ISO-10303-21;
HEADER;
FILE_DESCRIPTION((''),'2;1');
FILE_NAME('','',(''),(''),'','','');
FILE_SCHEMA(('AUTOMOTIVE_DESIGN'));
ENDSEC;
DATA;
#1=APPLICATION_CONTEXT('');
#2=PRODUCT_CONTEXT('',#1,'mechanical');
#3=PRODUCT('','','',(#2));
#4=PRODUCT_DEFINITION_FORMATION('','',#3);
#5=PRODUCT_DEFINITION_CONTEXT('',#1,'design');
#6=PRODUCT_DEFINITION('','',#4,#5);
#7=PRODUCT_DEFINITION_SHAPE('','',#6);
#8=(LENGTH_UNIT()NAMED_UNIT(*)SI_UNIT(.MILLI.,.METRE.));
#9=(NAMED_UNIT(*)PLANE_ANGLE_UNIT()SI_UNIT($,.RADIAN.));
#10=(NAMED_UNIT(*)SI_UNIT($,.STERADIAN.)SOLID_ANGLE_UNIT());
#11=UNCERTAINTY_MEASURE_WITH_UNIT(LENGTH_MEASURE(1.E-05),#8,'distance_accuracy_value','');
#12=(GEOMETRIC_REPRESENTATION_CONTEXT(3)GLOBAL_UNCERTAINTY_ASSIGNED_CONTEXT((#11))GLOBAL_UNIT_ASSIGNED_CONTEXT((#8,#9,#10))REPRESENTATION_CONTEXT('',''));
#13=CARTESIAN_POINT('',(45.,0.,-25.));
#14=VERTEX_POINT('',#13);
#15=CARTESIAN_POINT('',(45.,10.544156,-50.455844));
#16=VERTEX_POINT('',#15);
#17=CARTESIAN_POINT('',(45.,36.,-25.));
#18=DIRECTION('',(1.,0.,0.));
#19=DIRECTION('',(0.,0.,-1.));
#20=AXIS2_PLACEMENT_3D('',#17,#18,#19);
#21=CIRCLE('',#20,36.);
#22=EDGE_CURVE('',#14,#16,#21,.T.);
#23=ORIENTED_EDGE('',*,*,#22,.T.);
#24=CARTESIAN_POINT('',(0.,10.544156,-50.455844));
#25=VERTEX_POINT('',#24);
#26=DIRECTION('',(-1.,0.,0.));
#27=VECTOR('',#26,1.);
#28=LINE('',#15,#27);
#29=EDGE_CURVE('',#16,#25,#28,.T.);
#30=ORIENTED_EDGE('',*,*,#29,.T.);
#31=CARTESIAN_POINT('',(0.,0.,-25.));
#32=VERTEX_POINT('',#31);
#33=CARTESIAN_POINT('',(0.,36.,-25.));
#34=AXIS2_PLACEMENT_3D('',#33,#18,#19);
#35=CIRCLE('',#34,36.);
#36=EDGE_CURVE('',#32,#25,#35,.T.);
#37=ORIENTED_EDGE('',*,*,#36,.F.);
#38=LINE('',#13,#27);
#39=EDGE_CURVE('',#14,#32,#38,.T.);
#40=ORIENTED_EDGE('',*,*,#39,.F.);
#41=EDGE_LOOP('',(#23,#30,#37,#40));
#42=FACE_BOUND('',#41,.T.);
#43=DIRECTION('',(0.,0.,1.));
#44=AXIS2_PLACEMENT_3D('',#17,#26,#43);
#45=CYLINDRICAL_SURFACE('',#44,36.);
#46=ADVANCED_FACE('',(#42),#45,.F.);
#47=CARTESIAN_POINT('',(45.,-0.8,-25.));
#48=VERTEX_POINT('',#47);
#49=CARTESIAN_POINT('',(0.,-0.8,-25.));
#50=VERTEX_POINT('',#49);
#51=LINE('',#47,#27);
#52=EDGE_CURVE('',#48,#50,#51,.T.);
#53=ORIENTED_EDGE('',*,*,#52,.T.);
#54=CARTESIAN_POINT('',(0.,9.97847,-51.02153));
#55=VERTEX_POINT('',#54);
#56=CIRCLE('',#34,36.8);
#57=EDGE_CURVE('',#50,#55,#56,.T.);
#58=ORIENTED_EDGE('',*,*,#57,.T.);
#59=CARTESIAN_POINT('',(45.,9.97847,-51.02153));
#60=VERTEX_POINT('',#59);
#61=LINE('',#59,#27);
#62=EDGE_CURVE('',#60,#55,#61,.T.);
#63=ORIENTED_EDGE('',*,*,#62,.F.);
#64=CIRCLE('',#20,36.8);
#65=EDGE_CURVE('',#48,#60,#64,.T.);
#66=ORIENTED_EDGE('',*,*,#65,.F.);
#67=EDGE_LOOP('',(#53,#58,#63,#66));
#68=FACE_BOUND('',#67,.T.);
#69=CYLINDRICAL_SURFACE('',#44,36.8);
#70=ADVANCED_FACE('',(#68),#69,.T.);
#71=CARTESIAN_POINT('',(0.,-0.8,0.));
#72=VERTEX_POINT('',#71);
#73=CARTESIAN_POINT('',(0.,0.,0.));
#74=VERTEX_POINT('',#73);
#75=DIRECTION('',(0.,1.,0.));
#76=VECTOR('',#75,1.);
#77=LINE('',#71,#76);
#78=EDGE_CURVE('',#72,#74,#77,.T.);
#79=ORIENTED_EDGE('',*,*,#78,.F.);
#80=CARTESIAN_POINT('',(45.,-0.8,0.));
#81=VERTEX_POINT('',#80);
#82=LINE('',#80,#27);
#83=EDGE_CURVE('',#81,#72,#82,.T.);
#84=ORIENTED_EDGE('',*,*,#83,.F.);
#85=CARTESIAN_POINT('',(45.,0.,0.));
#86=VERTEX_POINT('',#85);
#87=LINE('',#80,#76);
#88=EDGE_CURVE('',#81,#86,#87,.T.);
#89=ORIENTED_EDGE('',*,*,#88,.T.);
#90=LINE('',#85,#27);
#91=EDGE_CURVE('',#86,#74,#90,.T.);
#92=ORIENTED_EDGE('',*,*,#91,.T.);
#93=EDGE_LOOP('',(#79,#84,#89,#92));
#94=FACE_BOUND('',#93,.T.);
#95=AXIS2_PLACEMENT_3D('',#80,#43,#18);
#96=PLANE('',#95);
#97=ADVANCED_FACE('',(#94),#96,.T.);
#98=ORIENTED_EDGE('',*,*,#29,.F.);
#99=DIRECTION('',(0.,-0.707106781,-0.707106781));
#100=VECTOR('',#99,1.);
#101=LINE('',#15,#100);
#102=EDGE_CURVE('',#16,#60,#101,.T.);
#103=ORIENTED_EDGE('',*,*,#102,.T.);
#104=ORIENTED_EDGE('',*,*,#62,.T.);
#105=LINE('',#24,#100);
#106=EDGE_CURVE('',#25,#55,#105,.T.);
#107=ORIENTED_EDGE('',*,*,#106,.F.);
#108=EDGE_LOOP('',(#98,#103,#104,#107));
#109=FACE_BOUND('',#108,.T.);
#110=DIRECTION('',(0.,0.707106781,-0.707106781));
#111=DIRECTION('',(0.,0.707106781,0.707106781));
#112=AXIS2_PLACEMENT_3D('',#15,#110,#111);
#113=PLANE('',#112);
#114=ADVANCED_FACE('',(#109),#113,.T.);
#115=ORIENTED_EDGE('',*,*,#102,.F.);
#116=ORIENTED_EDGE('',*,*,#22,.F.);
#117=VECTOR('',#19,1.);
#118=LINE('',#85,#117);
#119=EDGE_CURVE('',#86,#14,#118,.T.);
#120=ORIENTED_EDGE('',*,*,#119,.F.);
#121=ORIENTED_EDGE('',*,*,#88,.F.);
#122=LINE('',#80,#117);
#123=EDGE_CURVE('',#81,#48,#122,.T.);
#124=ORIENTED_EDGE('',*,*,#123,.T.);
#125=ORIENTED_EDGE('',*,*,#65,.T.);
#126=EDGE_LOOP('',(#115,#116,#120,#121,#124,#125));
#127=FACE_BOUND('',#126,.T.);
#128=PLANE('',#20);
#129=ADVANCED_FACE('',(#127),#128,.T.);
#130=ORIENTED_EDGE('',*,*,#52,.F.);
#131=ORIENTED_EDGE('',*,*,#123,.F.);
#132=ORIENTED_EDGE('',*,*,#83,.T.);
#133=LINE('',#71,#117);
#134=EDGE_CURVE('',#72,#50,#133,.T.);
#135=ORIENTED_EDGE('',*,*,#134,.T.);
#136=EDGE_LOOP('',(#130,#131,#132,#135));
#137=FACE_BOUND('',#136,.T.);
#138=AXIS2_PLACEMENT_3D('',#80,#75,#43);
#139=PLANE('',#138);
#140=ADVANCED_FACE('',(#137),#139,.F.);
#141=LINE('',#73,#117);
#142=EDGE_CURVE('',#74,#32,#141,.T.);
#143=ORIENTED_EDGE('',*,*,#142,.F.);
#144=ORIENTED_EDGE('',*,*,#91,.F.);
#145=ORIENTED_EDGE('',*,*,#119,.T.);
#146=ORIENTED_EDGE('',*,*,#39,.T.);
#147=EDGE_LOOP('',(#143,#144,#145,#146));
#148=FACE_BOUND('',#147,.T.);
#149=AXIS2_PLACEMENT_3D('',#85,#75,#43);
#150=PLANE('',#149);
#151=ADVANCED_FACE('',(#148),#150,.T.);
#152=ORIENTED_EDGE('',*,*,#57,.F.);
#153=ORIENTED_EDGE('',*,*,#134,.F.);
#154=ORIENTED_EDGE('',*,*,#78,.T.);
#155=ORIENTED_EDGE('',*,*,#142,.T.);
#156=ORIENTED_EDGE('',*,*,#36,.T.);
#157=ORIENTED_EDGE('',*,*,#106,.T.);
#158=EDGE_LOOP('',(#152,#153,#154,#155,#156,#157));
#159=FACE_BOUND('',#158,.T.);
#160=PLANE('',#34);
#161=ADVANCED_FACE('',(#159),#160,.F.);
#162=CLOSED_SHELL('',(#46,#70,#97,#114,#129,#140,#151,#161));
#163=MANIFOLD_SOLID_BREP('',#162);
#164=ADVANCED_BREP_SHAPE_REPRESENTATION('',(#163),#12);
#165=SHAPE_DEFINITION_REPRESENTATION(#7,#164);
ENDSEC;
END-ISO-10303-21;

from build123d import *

# Parameters (mm, degrees)
EXTRUDE_1_DEPTH = 45


with BuildPart() as part:
    # 草图1 → 拉伸-薄壁1 (new body)
    with BuildSketch(Plane(origin=(0, 0, 0), x_dir=(0, 0, -1), z_dir=(1, 0, 0))):
        with BuildLine():
            Line((0, 0), (25, 0))
            ThreePointArc((25, 0), (38.776603565, 2.74033683), (50.455844123, 10.544155877))
            Line((50.455844123, 10.544155877), (51.021529548, 9.978470452))
            ThreePointArc((51.021529548, 9.978470452), (39.082750311, 2.001233204), (25, -0.8))
            Line((25, -0.8), (0, -0.8))
            Line((0, -0.8), (0, 0))
        make_face()
    extrude(amount=EXTRUDE_1_DEPTH)


solid = part.part
